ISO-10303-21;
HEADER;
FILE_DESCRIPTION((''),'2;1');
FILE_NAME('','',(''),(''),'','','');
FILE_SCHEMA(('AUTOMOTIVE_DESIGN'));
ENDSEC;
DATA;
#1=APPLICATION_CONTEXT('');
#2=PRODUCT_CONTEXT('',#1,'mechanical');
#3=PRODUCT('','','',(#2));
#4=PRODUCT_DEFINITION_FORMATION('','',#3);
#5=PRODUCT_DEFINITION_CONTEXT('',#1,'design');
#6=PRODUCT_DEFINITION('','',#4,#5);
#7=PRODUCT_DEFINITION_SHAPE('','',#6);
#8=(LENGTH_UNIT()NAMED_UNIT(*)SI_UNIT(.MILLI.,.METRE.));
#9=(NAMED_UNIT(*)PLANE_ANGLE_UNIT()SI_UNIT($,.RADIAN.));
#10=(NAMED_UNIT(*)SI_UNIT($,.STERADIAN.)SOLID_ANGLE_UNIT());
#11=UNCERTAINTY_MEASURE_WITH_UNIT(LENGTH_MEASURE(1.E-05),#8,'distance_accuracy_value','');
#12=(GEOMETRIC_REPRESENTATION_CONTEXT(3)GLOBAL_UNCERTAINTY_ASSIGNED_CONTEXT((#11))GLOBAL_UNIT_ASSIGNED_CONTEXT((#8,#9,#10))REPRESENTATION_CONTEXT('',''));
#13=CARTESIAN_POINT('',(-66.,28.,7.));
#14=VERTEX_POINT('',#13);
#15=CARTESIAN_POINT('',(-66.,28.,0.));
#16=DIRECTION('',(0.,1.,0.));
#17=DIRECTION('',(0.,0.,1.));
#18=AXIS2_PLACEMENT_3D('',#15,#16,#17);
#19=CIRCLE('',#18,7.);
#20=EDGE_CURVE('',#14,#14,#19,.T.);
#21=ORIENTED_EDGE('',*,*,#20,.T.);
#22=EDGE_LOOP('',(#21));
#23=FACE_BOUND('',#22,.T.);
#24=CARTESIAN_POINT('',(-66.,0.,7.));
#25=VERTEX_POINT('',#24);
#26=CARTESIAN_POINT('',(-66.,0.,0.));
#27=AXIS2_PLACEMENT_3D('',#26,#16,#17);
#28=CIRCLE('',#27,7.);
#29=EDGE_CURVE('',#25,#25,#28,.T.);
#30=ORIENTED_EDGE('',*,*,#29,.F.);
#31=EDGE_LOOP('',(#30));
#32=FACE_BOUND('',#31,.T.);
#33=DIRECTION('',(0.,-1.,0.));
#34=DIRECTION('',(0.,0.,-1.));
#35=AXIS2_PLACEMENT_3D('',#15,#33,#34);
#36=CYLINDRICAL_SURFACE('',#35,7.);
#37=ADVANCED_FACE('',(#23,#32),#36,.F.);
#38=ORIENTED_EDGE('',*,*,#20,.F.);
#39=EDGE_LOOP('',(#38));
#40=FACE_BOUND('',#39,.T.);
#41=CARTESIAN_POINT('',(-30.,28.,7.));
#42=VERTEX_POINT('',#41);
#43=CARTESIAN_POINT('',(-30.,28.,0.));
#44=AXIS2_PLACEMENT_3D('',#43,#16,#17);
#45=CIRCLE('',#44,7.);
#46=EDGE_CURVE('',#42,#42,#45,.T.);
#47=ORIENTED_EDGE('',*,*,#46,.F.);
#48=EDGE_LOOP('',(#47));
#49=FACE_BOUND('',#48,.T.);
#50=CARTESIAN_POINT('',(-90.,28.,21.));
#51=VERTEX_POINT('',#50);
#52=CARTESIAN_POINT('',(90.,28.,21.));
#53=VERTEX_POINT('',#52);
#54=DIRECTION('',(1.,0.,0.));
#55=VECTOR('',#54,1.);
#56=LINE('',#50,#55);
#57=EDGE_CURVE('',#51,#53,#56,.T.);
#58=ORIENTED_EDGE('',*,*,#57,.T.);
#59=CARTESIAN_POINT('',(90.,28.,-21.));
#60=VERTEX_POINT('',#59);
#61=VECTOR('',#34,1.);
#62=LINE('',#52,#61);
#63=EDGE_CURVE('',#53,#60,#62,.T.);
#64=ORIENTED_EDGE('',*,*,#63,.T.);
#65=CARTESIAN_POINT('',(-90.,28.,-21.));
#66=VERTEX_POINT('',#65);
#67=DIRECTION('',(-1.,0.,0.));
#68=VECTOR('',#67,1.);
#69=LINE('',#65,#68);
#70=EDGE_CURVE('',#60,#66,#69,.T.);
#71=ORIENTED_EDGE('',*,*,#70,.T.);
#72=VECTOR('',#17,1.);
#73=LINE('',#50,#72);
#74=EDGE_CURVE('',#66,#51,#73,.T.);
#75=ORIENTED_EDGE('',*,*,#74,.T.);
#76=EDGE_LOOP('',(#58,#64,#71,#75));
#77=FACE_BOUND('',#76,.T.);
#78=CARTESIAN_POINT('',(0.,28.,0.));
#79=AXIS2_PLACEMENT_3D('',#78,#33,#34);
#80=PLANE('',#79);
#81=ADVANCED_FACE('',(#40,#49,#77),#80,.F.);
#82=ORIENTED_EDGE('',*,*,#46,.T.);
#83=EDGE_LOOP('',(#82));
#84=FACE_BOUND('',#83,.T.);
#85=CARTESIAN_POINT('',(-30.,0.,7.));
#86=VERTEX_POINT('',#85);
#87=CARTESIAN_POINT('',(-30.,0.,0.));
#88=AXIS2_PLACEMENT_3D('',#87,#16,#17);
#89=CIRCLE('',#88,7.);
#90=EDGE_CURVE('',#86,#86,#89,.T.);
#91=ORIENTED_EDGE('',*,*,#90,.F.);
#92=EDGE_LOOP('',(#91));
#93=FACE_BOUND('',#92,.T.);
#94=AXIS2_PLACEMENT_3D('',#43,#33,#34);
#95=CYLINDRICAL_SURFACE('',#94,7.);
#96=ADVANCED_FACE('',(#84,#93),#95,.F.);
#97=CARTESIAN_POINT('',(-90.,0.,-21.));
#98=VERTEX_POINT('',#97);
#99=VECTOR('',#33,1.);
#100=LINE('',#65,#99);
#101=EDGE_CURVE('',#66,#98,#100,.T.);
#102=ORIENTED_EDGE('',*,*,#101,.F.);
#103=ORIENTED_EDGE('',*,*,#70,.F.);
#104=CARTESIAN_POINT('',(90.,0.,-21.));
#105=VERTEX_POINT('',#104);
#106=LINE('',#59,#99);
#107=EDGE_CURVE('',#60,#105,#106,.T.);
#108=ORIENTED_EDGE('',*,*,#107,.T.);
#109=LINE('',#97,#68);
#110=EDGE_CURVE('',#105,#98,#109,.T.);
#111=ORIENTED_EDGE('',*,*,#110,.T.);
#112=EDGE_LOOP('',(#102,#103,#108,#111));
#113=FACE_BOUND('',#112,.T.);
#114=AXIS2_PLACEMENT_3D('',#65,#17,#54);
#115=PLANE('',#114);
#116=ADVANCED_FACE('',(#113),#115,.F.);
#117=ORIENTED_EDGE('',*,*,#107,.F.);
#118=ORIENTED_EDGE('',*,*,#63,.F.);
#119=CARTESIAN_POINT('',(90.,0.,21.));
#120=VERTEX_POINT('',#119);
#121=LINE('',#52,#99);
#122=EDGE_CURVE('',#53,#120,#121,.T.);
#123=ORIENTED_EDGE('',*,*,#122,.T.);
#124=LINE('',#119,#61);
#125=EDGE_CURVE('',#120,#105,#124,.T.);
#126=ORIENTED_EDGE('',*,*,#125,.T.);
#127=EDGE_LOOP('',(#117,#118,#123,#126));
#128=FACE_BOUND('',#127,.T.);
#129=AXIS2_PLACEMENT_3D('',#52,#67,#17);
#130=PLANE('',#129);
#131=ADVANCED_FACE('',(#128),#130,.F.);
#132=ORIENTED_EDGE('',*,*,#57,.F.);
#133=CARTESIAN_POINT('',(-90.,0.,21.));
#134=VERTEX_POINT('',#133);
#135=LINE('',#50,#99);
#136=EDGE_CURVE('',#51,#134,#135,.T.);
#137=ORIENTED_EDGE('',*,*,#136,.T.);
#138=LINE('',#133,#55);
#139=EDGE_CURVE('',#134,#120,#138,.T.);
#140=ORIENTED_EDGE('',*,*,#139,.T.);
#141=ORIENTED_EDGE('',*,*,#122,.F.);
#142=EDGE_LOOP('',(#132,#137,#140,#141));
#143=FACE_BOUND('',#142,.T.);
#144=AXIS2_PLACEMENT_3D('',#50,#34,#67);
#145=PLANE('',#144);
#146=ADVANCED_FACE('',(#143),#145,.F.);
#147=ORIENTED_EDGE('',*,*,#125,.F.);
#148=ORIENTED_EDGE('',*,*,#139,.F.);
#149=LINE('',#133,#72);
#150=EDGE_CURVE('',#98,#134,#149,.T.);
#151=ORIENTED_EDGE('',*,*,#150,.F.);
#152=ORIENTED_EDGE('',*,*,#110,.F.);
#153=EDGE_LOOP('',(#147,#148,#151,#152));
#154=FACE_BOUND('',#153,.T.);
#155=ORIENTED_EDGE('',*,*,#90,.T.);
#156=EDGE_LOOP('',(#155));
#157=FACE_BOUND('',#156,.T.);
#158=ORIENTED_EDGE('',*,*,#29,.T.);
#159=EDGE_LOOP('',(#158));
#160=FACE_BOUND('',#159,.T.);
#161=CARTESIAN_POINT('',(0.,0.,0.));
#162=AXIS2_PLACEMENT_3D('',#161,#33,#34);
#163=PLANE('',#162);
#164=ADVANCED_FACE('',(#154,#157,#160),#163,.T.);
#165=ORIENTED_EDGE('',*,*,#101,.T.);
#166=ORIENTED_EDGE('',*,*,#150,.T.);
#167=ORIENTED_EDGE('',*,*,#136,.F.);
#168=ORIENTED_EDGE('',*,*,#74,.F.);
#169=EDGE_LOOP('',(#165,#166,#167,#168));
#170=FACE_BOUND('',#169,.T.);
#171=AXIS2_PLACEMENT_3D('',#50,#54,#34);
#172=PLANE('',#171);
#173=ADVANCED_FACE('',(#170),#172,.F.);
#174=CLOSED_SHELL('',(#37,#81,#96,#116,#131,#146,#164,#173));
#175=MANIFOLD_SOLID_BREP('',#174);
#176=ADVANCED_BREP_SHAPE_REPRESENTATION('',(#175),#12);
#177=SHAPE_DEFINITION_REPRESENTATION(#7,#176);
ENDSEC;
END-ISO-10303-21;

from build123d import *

# Parameters (mm, degrees)
SKETCH_1_W      = 180
SKETCH_1_H      = 42
SKETCH_1_R      = 7
EXTRUDE_1_DEPTH = 28


with BuildPart() as part:
    # 草图1 → 凸台-拉伸1 (new body)
    with BuildSketch(Plane(origin=(0, 0, 0), x_dir=(1, 0, 0), z_dir=(0, 1, 0))):
        Rectangle(SKETCH_1_W, SKETCH_1_H)
        with Locations(Location((-66, 0, 0), (0, 0, 270))):
            Circle(SKETCH_1_R, mode=Mode.SUBTRACT)
        with Locations(Location((-30, 0, 0), (0, 0, 270))):
            Circle(SKETCH_1_R, mode=Mode.SUBTRACT)
    extrude(amount=EXTRUDE_1_DEPTH)


solid = part.part
